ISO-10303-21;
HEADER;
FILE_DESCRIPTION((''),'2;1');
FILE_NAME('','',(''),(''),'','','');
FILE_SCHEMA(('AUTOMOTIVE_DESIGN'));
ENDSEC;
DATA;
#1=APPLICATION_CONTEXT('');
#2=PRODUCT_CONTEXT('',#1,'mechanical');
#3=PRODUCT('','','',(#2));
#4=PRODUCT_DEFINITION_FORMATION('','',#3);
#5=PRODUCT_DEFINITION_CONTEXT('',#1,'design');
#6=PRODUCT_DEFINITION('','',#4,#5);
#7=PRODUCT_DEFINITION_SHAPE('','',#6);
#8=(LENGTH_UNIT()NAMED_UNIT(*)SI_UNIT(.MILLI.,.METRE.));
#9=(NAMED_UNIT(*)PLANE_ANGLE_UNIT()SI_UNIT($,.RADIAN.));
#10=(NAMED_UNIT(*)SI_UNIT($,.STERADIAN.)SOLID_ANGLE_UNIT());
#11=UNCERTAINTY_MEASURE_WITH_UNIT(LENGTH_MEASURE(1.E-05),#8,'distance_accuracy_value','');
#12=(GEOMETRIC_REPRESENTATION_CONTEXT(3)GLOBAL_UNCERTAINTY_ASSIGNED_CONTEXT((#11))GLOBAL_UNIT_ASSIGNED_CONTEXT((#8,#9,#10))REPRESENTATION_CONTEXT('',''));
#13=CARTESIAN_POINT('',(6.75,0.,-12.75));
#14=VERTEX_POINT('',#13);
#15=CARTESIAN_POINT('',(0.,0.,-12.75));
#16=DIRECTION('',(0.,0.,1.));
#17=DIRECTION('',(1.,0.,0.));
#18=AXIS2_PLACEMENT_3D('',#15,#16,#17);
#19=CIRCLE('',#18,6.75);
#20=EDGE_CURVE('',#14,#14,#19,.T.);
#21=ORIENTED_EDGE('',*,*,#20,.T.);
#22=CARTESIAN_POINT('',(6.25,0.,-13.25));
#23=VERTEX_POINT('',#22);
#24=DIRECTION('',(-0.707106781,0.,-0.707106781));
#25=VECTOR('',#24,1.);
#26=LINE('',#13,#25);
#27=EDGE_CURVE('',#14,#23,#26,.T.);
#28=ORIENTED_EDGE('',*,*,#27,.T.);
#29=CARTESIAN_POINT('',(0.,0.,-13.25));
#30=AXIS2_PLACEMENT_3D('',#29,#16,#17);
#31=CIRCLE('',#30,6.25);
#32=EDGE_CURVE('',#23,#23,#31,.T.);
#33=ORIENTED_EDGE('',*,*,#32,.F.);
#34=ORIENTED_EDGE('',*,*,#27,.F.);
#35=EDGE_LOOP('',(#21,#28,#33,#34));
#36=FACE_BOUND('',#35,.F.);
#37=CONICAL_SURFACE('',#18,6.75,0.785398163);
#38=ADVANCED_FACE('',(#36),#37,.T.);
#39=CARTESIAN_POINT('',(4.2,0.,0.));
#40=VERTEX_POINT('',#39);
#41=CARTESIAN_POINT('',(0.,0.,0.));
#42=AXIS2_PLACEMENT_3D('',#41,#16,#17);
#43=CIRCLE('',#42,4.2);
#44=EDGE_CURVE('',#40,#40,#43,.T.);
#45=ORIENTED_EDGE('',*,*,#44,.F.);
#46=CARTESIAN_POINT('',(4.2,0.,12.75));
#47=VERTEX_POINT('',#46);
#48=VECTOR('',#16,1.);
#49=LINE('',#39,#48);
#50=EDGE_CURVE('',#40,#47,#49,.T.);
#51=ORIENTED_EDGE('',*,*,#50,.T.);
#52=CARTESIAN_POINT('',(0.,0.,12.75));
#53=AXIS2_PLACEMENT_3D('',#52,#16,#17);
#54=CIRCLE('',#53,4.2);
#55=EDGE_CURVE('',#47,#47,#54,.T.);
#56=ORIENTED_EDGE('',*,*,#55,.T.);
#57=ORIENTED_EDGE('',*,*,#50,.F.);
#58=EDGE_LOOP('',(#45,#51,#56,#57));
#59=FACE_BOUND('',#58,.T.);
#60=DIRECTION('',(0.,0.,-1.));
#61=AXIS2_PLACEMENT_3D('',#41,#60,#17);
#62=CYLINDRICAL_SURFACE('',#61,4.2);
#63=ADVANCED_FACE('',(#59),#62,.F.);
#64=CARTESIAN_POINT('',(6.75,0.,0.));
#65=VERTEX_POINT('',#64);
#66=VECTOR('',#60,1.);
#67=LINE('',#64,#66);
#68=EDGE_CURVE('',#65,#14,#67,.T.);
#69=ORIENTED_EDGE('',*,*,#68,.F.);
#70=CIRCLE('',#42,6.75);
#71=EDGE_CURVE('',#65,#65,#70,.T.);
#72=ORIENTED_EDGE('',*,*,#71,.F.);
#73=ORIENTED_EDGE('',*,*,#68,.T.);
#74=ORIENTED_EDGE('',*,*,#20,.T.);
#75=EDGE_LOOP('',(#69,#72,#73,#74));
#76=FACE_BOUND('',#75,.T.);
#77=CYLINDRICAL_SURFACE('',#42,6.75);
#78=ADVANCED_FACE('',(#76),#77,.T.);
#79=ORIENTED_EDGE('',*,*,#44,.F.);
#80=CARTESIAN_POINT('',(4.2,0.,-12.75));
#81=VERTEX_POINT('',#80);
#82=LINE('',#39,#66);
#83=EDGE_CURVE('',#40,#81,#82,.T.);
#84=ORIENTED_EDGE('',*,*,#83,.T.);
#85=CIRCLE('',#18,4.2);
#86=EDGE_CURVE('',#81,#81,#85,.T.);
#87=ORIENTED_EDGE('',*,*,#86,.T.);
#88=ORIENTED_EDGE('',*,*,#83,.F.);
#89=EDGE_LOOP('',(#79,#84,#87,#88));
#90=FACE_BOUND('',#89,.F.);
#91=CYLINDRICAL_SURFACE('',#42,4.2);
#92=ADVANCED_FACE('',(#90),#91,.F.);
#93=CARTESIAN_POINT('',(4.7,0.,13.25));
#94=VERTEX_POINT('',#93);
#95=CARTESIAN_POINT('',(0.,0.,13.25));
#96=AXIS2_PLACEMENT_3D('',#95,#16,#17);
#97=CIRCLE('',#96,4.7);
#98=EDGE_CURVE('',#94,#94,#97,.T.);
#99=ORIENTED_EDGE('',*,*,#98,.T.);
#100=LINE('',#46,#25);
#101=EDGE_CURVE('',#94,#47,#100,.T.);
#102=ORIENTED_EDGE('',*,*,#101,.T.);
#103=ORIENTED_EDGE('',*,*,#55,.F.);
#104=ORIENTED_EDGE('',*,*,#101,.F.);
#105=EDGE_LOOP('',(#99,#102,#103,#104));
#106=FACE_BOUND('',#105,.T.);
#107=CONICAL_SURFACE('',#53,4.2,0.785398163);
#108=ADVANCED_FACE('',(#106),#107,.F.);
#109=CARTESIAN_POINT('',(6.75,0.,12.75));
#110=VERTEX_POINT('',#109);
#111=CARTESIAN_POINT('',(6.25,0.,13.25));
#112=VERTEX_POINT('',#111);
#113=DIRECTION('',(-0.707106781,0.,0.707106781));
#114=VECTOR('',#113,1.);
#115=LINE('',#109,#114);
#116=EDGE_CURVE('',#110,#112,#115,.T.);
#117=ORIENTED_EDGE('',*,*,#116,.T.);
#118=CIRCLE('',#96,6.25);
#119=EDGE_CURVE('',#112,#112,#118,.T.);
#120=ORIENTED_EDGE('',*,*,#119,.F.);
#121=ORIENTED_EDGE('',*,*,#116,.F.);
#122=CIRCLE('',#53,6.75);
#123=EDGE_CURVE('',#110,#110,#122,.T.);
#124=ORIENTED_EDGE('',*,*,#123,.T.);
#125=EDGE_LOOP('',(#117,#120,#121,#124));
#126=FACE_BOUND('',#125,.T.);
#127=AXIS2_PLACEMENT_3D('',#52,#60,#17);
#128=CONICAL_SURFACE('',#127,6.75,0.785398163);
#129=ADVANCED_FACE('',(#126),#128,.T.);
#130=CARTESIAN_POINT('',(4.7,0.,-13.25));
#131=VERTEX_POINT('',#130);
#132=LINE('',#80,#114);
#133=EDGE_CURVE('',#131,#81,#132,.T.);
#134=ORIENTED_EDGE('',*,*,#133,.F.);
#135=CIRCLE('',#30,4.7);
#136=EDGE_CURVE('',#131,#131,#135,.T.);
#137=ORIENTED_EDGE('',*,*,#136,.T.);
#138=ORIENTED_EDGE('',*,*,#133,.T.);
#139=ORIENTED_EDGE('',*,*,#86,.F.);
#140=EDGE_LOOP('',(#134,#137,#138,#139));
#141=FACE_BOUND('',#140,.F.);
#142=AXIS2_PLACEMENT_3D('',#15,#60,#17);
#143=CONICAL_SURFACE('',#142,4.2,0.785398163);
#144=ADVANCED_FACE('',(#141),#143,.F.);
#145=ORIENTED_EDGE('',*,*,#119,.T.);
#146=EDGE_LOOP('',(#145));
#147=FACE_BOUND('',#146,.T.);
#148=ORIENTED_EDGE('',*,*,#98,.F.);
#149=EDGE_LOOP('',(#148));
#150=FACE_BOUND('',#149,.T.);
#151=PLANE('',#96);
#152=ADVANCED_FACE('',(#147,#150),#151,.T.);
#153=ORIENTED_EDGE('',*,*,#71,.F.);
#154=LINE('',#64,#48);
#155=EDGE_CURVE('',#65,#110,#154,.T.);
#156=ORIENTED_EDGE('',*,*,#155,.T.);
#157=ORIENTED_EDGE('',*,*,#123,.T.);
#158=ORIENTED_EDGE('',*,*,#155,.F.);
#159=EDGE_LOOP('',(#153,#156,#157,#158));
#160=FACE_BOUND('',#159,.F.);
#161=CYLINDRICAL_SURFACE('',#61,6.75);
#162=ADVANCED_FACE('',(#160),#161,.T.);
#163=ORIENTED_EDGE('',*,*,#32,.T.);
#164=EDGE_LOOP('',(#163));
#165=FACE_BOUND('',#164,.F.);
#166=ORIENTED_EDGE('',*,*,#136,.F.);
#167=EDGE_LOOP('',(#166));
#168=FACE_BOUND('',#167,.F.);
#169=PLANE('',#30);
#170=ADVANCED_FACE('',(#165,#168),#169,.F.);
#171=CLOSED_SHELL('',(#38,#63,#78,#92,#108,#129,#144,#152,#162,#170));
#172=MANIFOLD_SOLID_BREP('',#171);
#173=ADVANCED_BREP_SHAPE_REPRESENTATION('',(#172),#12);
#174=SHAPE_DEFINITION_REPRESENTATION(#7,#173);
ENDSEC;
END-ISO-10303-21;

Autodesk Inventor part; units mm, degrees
ref_plane "YZ Plane" through (0, 0, 0) normal (1, 0, 0) x (0, 1, 0)
ref_plane "XZ Plane" through (0, 0, 0) normal (0, 1, 0) x (-1, 0, 0)
ref_plane "XY Plane" through (0, 0, 0) normal (0, 0, 1) x (1, 0, 0)
sketch "スケッチ1" plane through (0, 0, 0) normal (0, 0, 1) x (1, 0, 0)
  circle A0 centre (0, 0) radius 4.2
  circle A1 centre (0, 0) radius 6.75
  dimension "d0" = 8.4
  dimension "d1" = 13.5
extrude "押し出し1" add sketch "スケッチ1" along normal mid plane 26.5
chamfer "面取り1" distance 0.5 angle 45 4 edges at (-6.75, 0, 13.25) (-4.2, 0, 13.25) (-6.75, 0, -13.25) (-4.2, 0, -13.25)
properties part number "spacer11" material "ABS プラスチック"
